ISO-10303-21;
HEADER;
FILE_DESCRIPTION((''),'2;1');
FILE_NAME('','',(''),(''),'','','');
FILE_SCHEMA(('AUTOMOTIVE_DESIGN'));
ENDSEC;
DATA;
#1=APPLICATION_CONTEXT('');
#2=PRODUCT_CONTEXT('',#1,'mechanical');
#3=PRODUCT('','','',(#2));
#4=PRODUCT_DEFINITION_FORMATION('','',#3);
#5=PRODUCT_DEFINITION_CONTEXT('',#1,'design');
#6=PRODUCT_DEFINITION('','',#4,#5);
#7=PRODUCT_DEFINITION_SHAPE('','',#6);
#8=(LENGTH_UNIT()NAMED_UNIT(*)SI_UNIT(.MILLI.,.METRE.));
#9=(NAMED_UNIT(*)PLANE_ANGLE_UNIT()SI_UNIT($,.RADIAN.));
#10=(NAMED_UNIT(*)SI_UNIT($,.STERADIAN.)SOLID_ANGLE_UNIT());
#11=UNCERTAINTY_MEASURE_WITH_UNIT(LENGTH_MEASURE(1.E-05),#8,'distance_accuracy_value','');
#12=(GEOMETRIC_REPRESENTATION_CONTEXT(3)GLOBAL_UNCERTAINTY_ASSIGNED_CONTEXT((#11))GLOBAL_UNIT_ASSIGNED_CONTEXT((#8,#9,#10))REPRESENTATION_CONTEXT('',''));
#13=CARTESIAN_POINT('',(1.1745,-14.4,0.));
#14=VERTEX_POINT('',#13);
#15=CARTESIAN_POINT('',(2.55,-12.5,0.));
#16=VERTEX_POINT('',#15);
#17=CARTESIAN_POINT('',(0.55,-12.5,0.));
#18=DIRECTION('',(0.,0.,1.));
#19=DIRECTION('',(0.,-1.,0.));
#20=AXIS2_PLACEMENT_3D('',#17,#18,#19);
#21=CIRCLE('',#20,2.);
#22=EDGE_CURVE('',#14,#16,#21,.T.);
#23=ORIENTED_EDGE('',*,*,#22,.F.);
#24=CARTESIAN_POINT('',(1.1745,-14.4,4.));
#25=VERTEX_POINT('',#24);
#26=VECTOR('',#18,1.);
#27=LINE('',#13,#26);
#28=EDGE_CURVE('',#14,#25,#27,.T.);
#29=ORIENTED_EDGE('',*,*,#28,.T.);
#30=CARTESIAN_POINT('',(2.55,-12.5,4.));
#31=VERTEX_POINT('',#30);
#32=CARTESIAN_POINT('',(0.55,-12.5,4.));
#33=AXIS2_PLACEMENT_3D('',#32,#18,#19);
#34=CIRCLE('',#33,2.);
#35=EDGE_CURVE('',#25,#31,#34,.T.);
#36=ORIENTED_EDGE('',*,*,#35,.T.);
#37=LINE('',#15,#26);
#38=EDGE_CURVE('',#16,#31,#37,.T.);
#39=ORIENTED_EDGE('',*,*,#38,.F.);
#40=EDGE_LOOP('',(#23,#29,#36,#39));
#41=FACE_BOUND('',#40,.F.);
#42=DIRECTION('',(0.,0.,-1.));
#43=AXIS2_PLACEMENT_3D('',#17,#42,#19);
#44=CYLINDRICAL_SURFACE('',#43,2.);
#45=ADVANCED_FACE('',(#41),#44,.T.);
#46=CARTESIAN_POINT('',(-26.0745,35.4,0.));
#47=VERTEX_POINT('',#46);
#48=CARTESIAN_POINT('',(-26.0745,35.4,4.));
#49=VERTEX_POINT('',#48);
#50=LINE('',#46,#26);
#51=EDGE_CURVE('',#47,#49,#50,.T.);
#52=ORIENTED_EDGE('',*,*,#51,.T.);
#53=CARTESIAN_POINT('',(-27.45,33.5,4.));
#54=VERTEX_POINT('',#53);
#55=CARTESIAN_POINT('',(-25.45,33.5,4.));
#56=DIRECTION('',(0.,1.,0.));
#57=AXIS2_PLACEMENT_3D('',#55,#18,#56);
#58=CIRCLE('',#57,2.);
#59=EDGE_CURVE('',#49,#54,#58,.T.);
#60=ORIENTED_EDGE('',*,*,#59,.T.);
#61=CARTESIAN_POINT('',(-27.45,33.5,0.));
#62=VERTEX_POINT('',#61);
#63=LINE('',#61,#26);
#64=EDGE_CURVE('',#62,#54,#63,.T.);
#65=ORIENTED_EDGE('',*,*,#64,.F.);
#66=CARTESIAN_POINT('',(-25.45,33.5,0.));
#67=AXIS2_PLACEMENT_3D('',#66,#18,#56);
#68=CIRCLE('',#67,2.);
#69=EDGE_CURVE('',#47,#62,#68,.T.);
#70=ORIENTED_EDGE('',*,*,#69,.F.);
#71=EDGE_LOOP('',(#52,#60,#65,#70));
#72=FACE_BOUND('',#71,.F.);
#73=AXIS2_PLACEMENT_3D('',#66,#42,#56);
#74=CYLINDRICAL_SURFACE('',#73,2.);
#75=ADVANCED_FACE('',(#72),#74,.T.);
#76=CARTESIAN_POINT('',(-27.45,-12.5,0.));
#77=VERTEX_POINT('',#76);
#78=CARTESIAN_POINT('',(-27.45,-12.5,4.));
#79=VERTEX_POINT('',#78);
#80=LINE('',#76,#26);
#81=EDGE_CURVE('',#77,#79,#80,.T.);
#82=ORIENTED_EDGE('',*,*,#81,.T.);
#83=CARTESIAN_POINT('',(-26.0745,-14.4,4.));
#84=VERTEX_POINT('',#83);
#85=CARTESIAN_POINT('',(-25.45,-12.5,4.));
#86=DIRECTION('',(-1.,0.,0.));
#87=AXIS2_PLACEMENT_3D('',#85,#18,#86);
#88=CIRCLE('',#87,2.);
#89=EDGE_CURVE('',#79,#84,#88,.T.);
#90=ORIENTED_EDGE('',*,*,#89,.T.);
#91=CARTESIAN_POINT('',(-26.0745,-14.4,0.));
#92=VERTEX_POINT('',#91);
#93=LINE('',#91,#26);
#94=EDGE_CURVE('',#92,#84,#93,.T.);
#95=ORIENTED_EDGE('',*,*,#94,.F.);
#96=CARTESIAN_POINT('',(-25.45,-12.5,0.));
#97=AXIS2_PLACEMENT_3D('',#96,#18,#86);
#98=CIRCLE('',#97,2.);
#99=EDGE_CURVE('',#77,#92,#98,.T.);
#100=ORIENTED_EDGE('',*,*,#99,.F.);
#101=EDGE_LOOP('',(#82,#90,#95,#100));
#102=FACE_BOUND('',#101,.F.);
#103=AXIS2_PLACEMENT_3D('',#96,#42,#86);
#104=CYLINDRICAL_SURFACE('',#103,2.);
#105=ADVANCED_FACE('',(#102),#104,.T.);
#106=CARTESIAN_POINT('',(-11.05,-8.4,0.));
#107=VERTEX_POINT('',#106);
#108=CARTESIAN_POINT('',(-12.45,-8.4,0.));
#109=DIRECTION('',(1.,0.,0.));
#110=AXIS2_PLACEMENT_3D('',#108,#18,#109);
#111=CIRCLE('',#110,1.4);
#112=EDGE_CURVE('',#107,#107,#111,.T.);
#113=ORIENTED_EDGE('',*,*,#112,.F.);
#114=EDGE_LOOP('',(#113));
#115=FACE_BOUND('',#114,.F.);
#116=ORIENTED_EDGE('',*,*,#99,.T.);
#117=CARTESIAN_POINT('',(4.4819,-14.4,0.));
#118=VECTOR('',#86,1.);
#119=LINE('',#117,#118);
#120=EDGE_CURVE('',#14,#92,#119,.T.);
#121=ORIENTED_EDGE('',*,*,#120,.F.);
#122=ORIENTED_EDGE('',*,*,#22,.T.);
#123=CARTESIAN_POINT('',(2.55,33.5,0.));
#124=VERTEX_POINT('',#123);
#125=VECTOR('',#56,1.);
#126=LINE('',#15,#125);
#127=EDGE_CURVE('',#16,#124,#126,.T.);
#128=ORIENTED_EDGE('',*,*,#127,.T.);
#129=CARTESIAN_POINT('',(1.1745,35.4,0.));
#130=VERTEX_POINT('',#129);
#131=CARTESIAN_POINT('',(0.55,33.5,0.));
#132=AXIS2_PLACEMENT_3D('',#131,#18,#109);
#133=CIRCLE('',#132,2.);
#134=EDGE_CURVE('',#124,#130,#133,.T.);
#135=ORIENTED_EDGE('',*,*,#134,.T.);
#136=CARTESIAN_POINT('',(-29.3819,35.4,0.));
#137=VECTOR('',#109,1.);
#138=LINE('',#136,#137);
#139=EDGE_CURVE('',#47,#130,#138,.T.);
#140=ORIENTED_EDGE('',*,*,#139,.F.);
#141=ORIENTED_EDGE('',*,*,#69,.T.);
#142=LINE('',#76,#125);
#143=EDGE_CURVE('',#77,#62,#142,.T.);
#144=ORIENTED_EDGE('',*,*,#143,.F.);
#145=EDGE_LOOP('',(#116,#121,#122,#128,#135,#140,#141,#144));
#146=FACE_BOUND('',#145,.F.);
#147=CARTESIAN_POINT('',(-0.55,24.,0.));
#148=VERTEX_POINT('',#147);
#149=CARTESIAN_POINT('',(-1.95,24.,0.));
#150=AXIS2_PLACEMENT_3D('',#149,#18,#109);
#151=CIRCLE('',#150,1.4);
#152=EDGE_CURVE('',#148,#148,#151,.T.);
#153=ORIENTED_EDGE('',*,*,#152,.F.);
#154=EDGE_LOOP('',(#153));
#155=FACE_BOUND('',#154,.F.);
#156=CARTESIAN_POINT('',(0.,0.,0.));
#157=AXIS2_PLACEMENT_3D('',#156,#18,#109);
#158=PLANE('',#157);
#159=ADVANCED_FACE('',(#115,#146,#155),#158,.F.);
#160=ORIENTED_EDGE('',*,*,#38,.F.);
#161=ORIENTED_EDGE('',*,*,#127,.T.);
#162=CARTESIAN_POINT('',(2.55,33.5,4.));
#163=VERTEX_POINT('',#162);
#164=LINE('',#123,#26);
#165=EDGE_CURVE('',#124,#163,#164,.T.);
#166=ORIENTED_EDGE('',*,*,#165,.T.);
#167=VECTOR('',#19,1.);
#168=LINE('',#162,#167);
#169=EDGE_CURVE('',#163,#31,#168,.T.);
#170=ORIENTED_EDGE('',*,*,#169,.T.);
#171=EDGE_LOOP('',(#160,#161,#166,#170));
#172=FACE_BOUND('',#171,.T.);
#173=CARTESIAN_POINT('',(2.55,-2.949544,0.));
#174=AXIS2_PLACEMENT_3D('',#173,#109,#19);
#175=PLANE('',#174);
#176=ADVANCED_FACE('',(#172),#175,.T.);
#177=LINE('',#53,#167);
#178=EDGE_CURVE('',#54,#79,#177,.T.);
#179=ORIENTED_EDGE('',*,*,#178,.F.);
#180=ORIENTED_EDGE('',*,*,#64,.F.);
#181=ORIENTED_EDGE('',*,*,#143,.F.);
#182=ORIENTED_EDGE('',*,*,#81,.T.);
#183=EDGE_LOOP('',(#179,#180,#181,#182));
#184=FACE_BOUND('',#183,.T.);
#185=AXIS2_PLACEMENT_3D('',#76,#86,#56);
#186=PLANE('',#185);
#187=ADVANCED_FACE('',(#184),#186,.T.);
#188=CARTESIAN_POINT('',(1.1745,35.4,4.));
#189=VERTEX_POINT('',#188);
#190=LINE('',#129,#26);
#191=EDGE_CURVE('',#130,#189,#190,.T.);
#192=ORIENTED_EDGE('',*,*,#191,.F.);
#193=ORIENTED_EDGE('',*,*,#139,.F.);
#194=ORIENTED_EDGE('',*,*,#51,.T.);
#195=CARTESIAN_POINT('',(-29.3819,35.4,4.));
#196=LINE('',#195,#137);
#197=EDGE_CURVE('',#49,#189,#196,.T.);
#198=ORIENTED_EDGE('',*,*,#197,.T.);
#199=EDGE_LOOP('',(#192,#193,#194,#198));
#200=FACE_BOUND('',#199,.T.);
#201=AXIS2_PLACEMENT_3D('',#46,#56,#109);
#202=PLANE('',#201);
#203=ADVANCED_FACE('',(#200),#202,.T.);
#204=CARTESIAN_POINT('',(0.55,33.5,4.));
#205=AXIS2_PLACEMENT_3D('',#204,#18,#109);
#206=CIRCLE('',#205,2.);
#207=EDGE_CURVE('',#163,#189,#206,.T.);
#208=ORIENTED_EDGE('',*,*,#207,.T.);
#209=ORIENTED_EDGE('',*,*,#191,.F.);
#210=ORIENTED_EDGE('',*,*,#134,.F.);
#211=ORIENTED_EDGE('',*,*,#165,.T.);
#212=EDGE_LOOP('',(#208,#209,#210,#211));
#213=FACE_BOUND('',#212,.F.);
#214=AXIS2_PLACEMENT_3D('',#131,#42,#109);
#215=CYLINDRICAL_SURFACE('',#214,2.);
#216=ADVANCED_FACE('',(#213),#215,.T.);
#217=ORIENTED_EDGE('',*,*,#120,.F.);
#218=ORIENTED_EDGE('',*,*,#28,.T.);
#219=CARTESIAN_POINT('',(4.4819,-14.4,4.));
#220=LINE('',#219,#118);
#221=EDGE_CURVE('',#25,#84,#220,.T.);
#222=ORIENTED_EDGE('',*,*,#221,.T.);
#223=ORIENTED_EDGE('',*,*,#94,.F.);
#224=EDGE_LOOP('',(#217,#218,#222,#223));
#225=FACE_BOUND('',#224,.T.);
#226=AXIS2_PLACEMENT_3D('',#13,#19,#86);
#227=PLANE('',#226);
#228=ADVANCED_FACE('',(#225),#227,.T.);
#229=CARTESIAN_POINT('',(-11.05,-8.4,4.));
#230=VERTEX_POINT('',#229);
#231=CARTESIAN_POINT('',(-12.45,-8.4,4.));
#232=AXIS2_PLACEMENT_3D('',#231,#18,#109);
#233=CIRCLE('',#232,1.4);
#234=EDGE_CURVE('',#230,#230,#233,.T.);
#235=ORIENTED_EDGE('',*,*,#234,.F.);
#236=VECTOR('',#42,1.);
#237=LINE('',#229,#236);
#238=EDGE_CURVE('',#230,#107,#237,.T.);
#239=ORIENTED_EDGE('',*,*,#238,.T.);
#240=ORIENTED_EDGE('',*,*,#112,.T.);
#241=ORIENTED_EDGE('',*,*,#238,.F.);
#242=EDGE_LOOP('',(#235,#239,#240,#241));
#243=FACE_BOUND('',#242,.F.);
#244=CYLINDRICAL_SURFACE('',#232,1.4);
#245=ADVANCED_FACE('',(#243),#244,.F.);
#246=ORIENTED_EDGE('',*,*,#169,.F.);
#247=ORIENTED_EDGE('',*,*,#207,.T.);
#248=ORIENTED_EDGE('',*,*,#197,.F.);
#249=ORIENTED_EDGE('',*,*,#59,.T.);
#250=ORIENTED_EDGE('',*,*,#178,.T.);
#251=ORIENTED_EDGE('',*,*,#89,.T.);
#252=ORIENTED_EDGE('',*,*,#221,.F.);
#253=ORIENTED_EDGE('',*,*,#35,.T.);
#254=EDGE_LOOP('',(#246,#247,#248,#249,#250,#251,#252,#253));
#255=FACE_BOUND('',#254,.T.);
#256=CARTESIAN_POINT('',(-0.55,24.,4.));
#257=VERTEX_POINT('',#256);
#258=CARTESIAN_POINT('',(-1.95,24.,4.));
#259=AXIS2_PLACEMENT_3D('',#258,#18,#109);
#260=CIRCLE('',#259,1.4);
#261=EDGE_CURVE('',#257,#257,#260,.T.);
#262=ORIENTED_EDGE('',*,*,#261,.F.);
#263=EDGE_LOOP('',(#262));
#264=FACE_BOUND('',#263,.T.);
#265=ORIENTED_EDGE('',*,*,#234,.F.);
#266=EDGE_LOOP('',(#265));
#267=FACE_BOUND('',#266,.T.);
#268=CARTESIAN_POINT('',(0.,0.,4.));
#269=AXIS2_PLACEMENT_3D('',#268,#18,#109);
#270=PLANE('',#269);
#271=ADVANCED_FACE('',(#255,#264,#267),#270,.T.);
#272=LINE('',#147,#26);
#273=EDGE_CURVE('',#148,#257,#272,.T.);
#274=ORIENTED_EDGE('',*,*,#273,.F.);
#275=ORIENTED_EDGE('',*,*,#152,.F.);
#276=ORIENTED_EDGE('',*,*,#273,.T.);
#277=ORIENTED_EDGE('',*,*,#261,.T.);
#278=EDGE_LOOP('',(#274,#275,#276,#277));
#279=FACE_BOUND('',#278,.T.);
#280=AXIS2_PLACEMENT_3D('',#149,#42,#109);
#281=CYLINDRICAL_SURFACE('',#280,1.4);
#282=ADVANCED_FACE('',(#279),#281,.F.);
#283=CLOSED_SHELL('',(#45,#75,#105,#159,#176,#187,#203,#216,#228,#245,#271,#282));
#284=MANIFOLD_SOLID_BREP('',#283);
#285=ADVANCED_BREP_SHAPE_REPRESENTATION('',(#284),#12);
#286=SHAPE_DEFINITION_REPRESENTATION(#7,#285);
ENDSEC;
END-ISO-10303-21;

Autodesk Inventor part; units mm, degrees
ref_plane "YZ Plane" through (0, 0, 0) normal (1, 0, 0) x (0, 1, 0)
ref_plane "XZ Plane" through (0, 0, 0) normal (0, 1, 0) x (-1, 0, 0)
ref_plane "XY Plane" through (0, 0, 0) normal (0, 0, 1) x (1, 0, 0)
ref_plane "Work Plane1" through (0, 0, 0) normal (0, 0, 1) x (1, 0, 0)
sketch "Sketch1" plane through (0, 0, 0) normal (0, 0, 1) x (1, 0, 0)
  arc A0 (1.5114, -4.263) -> (1.1737, -4.342) centre (1.4126, -4.6023) ccw projected
  arc A1 (-11.5885, -9.6282) -> (1.1737, -4.342) centre (-12.45, 10.5) ccw projected
  arc A2 (-11.5885, -9.6282) -> (-11.8831, -9.8112) centre (-11.5734, -9.9812) ccw projected
  arc A3 (-13.0169, -9.8112) -> (-11.8831, -9.8112) centre (-12.45, -9.5) ccw projected
  arc A4 (-13.0169, -9.8112) -> (-13.3115, -9.6282) centre (-13.3266, -9.9812) ccw projected
  arc A5 (-26.0737, -4.342) -> (-13.3115, -9.6282) centre (-12.45, 10.5) ccw projected
  arc A6 (-26.0737, -4.342) -> (-26.4114, -4.263) centre (-26.3126, -4.6023) ccw projected
  arc A7 (-27.213, -3.4614) -> (-26.4114, -4.263) centre (-26.5921, -3.6421) ccw projected
  arc A8 (-27.213, -3.4614) -> (-27.292, -3.1237) centre (-27.5523, -3.3626) ccw projected
  arc A9 (-32.5782, 9.6385) -> (-27.292, -3.1237) centre (-12.45, 10.5) ccw projected
  arc A10 (-32.5782, 9.6385) -> (-32.7612, 9.9331) centre (-32.9312, 9.6234) ccw projected
  arc A11 (-32.7612, 11.0669) -> (-32.7612, 9.9331) centre (-32.45, 10.5) ccw projected
  arc A12 (-32.7612, 11.0669) -> (-32.5782, 11.3615) centre (-32.9312, 11.3766) ccw projected
  arc A13 (-27.292, 24.1237) -> (-32.5782, 11.3615) centre (-12.45, 10.5) ccw projected
  arc A14 (-27.292, 24.1237) -> (-27.213, 24.4614) centre (-27.5523, 24.3626) ccw projected
  arc A15 (-26.4114, 25.263) -> (-27.213, 24.4614) centre (-26.5921, 24.6421) ccw projected
  arc A16 (-26.4114, 25.263) -> (-26.0737, 25.342) centre (-26.3126, 25.6023) ccw projected
  arc A17 (-13.3115, 30.6282) -> (-26.0737, 25.342) centre (-12.45, 10.5) ccw projected
  arc A18 (-13.3115, 30.6282) -> (-13.0169, 30.8112) centre (-13.3266, 30.9812) ccw projected
  arc A19 (-11.8831, 30.8112) -> (-13.0169, 30.8112) centre (-12.45, 30.5) ccw projected
  arc A20 (-11.8831, 30.8112) -> (-11.5885, 30.6282) centre (-11.5734, 30.9812) ccw projected
  arc A21 (1.1737, 25.342) -> (-11.5885, 30.6282) centre (-12.45, 10.5) ccw projected
  arc A22 (1.1737, 25.342) -> (1.5114, 25.263) centre (1.4126, 25.6023) ccw projected
  arc A23 (2.313, 24.4614) -> (1.5114, 25.263) centre (1.6921, 24.6421) ccw projected
  arc A24 (2.313, 24.4614) -> (2.392, 24.1237) centre (2.6523, 24.3626) ccw projected
  arc A25 (7.6782, 11.3615) -> (2.392, 24.1237) centre (-12.45, 10.5) ccw projected
  arc A26 (7.6782, 11.3615) -> (7.8612, 11.0669) centre (8.0313, 11.3766) ccw projected
  arc A27 (7.8612, 9.9331) -> (7.8612, 11.0669) centre (7.55, 10.5) ccw projected
  arc A28 (7.8612, 9.9331) -> (7.6782, 9.6385) centre (8.0313, 9.6234) ccw projected
  arc A29 (2.392, -3.1237) -> (7.6782, 9.6385) centre (-12.45, 10.5) ccw projected
  arc A30 (2.392, -3.1237) -> (2.313, -3.4614) centre (2.6523, -3.3626) ccw projected
  arc A31 (1.5114, -4.263) -> (2.313, -3.4614) centre (1.6921, -3.6421) ccw projected
  arc A32 (-36.6117, 25.3443) -> (-37.35, 24.9048) centre (-36.85, 24.9048) ccw projected
  line L0 (-37.35, 24.9048) -> (-37.35, -3.9048) projected
  arc A33 (-37.35, -3.9048) -> (-36.6117, -4.3443) centre (-36.85, -3.9048) ccw projected
  line L1 (-36.6117, -4.3443) -> (-34.9957, -3.4684) projected
  arc A34 (-34.9957, -4.4161) -> (-34.9957, -3.4684) centre (-34.4238, -3.9422) ccw projected
  line L2 (-34.9957, -4.4161) -> (-37.35, -5.6921) projected
  line L3 (-37.35, -5.6921) -> (-37.35, -6.7071) projected
  arc A35 (-37.35, -6.7071) -> (-36.4964, -7.0607) centre (-36.85, -6.7071) ccw projected
  line L4 (-36.4964, -7.0607) -> (-35.9358, -6.5) projected
  line L5 (-35.9358, -6.5) -> (-33.45, -6.5) projected
  line L6 (-33.45, -6.5) -> (-29.45, -10.5) projected
  line L7 (-29.45, -10.5) -> (-29.3819, -14.4) projected
  line L8 (4.4819, -14.4) -> (-29.3819, -14.4) projected
  line L9 (4.4819, -14.4) -> (4.55, -10.5) projected
  line L10 (8.55, -6.5) -> (4.55, -10.5) projected
  line L11 (11.0358, -6.5) -> (8.55, -6.5) projected
  line L12 (11.5964, -7.0607) -> (11.0358, -6.5) projected
  arc A36 (11.5964, -7.0607) -> (12.45, -6.7071) centre (11.95, -6.7071) ccw projected
  line L13 (12.45, -5.6921) -> (12.45, -6.7071) projected
  line L14 (12.45, -5.6921) -> (10.0957, -4.4161) projected
  arc A37 (10.0957, -3.4684) -> (10.0957, -4.4161) centre (9.5238, -3.9422) ccw projected
  line L15 (10.0957, -3.4684) -> (11.7117, -4.3443) projected
  arc A38 (11.7117, -4.3443) -> (12.45, -3.9048) centre (11.95, -3.9048) ccw projected
  line L16 (12.45, -3.9048) -> (12.45, 24.9048) projected
  arc A39 (12.45, 24.9048) -> (11.7117, 25.3443) centre (11.95, 24.9048) ccw projected
  line L17 (11.7117, 25.3443) -> (10.0957, 24.4684) projected
  arc A40 (10.0957, 25.4161) -> (10.0957, 24.4684) centre (9.5238, 24.9422) ccw projected
  line L18 (10.0957, 25.4161) -> (12.45, 26.6921) projected
  line L19 (12.45, 26.6921) -> (12.45, 27.7071) projected
  arc A41 (12.45, 27.7071) -> (11.5964, 28.0607) centre (11.95, 27.7071) ccw projected
  line L20 (11.5964, 28.0607) -> (11.0358, 27.5) projected
  line L21 (11.0358, 27.5) -> (8.55, 27.5) projected
  line L22 (8.55, 27.5) -> (4.55, 31.5) projected
  line L23 (4.55, 31.5) -> (4.4819, 35.4) projected
  line L24 (-29.3819, 35.4) -> (4.4819, 35.4) projected
  line L25 (-29.3819, 35.4) -> (-29.45, 31.5) projected
  line L26 (-33.45, 27.5) -> (-29.45, 31.5) projected
  line L27 (-35.9358, 27.5) -> (-33.45, 27.5) projected
  line L28 (-36.4964, 28.0607) -> (-35.9358, 27.5) projected
  arc A42 (-36.4964, 28.0607) -> (-37.35, 27.7071) centre (-36.85, 27.7071) ccw projected
  line L29 (-37.35, 27.7071) -> (-37.35, 26.6921) projected
  line L30 (-37.35, 26.6921) -> (-34.9957, 25.4161) projected
  arc A43 (-34.9957, 24.4684) -> (-34.9957, 25.4161) centre (-34.4238, 24.9422) ccw projected
  line L31 (-34.9957, 24.4684) -> (-36.6117, 25.3443) projected
  circle A44 centre (4.05, 27) radius 1.4 projected
  circle A45 centre (4.05, -6) radius 1.4 projected
  circle A46 centre (-28.95, 27) radius 1.4 projected
  circle A47 centre (-28.95, -6) radius 1.4 projected
  line L32 (0.55, -14.5) -> (-25.45, -14.5)
  line L33 (-27.45, -12.5) -> (-27.45, 33.5)
  line L34 (-25.45, 35.5) -> (0.55, 35.5)
  line L35 (2.55, 33.5) -> (2.55, -12.5)
  line L36 (2.55, -14.5) -> (-27.45, 35.5) construction
  line L37 (-27.45, -14.5) -> (2.55, 35.5) construction
  arc A48 (-27.45, -12.5) -> (-25.45, -14.5) centre (-25.45, -12.5) ccw
  arc A49 (0.55, -14.5) -> (2.55, -12.5) centre (0.55, -12.5) ccw
  arc A50 (2.55, 33.5) -> (0.55, 35.5) centre (0.55, 33.5) ccw
  arc A51 (-25.45, 35.5) -> (-27.45, 33.5) centre (-25.45, 33.5) ccw
  circle A52 centre (-1.95, 24) radius 1.4
  circle A53 centre (-12.45, 10.5) radius 12.5
  point P0 (0, 0)
  point P1 (-26.0745, -14.4)
  point P2 (1.1745, -14.4)
  point P3 (1.1745, 35.4)
  point P4 (-26.0745, 35.4)
  dimension "d0" = 30
  dimension "d1" = 50
  dimension "d2" = 2
  dimension "d3" = 2.8
  dimension "d4" = 25
  dimension "d7" = 6
  dimension "d8" = 3
extrude "Extrusion1" add sketch "Sketch1" along normal blind 4 contours A31 A30 A29 L35 A49 L8 A48 L33 A9 A8 A7 A6 A5 A4 A3 A2 A1 A0 | A0 A1 A2 A3 A4 A5 A6 A7 A8 A9 L33 A13 A14 A15 A16 A17 A18 A19 A20 A21 A22 A23 A24 A25 L35 A29 A30 A31 | A25 A24 A23 A22 A21 A20 A19 A18 A17 A16 A15 A14 A13 L33 A51 L24 A50 L35 | A53
sketch "Sketch2" plane through (0, 0, 4) normal (0, 0, 1) x (1, 0, 0)
  arc A0 (-27.45, -12.5) -> (-26.0745, -14.4) centre (-25.45, -12.5) ccw projected
  line L0 (-26.0745, -14.4) -> (1.1745, -14.4) projected
  arc A1 (1.1745, -14.4) -> (2.55, -12.5) centre (0.55, -12.5) ccw projected
  line L1 (2.55, -12.5) -> (2.55, 33.5) projected
  arc A2 (2.55, 33.5) -> (1.1745, 35.4) centre (0.55, 33.5) ccw projected
  line L2 (1.1745, 35.4) -> (-26.0745, 35.4) projected
  arc A3 (-26.0745, 35.4) -> (-27.45, 33.5) centre (-25.45, 33.5) ccw projected
  line L3 (-27.45, 33.5) -> (-27.45, -12.5) projected
  circle A4 centre (-1.95, 24) radius 1.4 projected
  circle A5 centre (-12.45, -8.4) radius 1.4
  point P0 (0, 0)
  point P1 (-12.45, -14.4)
  dimension "d9" = 2.8
  dimension "d10" = 6
extrude "Extrusion2" cut sketch "Sketch2" against normal through all contours A5
properties part number "20_Cube_4_insert_xy_slider"
